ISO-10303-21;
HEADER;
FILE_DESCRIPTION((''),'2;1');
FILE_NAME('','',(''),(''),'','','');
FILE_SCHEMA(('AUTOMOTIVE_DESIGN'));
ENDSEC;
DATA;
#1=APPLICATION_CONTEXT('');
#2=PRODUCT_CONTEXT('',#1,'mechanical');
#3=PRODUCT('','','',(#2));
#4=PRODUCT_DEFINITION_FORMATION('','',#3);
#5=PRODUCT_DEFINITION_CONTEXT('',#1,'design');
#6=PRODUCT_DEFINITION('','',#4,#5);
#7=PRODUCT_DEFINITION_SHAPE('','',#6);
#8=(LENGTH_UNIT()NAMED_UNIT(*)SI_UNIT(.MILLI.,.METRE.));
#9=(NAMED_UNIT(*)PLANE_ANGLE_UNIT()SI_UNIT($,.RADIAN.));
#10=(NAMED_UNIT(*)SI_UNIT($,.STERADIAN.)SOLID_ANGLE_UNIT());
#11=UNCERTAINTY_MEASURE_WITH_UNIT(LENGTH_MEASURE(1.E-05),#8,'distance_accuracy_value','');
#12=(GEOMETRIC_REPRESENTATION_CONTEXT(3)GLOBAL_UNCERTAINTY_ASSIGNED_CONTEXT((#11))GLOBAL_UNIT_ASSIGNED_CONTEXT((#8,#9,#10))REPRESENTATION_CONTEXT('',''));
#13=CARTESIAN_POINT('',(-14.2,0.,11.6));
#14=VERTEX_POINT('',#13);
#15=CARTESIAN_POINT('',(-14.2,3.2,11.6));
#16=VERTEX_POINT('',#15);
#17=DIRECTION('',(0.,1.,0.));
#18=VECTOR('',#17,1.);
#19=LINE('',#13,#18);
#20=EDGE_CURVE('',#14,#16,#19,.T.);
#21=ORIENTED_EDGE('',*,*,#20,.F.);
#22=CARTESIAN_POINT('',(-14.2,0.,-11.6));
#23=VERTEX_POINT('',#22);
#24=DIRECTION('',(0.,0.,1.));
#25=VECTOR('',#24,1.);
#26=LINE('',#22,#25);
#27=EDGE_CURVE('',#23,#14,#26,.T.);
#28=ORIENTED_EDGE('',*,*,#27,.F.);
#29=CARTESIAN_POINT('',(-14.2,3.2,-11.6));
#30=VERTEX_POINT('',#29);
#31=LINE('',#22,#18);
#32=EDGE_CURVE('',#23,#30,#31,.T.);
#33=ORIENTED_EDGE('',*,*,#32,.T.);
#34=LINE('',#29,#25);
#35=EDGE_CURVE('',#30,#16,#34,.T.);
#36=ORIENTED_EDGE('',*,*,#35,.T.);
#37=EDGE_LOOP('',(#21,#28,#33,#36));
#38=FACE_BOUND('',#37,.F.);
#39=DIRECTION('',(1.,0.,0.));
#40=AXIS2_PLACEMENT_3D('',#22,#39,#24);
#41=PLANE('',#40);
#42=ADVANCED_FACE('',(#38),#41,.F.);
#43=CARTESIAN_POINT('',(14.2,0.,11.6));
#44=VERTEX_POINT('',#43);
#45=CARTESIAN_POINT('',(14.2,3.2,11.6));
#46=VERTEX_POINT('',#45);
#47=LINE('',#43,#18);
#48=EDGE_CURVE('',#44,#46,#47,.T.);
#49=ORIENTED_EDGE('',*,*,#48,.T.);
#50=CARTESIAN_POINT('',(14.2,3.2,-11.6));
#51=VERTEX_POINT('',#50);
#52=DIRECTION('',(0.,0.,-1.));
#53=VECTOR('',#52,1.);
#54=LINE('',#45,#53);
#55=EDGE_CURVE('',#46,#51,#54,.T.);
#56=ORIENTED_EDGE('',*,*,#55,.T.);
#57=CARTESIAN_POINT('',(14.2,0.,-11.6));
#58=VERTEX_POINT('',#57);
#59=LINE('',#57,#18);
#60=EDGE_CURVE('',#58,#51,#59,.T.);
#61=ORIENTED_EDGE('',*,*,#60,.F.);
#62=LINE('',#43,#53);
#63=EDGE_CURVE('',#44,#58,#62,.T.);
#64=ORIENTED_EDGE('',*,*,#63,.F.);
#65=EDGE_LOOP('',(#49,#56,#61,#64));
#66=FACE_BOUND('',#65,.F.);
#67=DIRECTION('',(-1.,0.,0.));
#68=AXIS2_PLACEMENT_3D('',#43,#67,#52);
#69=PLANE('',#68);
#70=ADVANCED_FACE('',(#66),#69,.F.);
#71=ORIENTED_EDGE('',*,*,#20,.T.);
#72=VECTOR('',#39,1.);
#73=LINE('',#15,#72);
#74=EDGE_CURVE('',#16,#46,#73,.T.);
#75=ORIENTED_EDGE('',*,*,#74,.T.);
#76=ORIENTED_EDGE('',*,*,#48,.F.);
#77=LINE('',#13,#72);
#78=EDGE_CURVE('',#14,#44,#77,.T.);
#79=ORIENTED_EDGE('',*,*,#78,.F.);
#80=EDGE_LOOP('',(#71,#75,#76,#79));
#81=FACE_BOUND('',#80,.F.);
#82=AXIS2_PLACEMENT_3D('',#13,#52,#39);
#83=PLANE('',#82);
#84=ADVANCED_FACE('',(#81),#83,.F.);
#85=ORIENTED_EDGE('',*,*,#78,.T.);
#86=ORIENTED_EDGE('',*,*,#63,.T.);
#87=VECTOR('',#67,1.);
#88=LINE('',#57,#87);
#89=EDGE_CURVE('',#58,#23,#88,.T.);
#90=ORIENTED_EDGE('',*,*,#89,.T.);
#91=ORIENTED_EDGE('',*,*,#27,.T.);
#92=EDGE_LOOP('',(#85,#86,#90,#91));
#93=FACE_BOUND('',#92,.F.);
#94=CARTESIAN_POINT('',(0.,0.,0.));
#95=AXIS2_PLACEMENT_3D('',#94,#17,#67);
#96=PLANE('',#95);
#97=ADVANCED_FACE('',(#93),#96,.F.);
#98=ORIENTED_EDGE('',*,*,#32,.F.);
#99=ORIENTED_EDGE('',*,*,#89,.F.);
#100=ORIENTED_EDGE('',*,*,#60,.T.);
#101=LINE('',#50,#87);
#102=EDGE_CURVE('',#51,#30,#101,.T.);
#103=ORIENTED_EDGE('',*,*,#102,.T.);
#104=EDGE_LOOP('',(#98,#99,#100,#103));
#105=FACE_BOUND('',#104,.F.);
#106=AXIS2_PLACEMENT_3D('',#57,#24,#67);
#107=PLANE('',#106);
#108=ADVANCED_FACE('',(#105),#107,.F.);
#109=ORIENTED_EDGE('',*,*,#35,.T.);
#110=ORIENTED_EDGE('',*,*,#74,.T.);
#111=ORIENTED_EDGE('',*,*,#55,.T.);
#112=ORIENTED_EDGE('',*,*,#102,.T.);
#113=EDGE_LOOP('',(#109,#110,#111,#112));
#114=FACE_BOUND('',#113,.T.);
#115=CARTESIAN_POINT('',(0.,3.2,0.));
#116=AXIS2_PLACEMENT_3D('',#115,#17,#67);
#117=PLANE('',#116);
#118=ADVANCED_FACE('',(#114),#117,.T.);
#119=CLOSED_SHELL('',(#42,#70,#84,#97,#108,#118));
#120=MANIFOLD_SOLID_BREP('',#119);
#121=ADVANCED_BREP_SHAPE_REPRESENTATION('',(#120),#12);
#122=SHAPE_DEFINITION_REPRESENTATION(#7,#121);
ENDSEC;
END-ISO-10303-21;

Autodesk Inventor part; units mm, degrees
ref_plane "YZ Plane" through (0, 0, 0) normal (1, 0, 0) x (0, 1, 0)
ref_plane "XZ Plane" through (0, 0, 0) normal (0, 1, 0) x (-1, 0, 0)
ref_plane "XY Plane" through (0, 0, 0) normal (0, 0, 1) x (1, 0, 0)
sketch "Sketch1" plane through (0, 0, 0) normal (0, 1, 0) x (-1, 0, 0)
  line L0 (-14.2, -11.6) -> (14.2, -11.6)
  line L1 (14.2, -11.6) -> (14.2, 11.6)
  line L2 (14.2, 11.6) -> (-14.2, 11.6)
  line L3 (-14.2, 11.6) -> (-14.2, -11.6)
  line L4 (-14.2, -11.6) -> (14.2, 11.6) construction
  line L5 (14.2, -11.6) -> (-14.2, 11.6) construction
  point P0 (0, 0)
  dimension "d0" = 28.4
  dimension "d1" = 23.2
extrude "Extrusion1" add sketch "Sketch1" along normal blind 3.2
properties part number "rx5808"
